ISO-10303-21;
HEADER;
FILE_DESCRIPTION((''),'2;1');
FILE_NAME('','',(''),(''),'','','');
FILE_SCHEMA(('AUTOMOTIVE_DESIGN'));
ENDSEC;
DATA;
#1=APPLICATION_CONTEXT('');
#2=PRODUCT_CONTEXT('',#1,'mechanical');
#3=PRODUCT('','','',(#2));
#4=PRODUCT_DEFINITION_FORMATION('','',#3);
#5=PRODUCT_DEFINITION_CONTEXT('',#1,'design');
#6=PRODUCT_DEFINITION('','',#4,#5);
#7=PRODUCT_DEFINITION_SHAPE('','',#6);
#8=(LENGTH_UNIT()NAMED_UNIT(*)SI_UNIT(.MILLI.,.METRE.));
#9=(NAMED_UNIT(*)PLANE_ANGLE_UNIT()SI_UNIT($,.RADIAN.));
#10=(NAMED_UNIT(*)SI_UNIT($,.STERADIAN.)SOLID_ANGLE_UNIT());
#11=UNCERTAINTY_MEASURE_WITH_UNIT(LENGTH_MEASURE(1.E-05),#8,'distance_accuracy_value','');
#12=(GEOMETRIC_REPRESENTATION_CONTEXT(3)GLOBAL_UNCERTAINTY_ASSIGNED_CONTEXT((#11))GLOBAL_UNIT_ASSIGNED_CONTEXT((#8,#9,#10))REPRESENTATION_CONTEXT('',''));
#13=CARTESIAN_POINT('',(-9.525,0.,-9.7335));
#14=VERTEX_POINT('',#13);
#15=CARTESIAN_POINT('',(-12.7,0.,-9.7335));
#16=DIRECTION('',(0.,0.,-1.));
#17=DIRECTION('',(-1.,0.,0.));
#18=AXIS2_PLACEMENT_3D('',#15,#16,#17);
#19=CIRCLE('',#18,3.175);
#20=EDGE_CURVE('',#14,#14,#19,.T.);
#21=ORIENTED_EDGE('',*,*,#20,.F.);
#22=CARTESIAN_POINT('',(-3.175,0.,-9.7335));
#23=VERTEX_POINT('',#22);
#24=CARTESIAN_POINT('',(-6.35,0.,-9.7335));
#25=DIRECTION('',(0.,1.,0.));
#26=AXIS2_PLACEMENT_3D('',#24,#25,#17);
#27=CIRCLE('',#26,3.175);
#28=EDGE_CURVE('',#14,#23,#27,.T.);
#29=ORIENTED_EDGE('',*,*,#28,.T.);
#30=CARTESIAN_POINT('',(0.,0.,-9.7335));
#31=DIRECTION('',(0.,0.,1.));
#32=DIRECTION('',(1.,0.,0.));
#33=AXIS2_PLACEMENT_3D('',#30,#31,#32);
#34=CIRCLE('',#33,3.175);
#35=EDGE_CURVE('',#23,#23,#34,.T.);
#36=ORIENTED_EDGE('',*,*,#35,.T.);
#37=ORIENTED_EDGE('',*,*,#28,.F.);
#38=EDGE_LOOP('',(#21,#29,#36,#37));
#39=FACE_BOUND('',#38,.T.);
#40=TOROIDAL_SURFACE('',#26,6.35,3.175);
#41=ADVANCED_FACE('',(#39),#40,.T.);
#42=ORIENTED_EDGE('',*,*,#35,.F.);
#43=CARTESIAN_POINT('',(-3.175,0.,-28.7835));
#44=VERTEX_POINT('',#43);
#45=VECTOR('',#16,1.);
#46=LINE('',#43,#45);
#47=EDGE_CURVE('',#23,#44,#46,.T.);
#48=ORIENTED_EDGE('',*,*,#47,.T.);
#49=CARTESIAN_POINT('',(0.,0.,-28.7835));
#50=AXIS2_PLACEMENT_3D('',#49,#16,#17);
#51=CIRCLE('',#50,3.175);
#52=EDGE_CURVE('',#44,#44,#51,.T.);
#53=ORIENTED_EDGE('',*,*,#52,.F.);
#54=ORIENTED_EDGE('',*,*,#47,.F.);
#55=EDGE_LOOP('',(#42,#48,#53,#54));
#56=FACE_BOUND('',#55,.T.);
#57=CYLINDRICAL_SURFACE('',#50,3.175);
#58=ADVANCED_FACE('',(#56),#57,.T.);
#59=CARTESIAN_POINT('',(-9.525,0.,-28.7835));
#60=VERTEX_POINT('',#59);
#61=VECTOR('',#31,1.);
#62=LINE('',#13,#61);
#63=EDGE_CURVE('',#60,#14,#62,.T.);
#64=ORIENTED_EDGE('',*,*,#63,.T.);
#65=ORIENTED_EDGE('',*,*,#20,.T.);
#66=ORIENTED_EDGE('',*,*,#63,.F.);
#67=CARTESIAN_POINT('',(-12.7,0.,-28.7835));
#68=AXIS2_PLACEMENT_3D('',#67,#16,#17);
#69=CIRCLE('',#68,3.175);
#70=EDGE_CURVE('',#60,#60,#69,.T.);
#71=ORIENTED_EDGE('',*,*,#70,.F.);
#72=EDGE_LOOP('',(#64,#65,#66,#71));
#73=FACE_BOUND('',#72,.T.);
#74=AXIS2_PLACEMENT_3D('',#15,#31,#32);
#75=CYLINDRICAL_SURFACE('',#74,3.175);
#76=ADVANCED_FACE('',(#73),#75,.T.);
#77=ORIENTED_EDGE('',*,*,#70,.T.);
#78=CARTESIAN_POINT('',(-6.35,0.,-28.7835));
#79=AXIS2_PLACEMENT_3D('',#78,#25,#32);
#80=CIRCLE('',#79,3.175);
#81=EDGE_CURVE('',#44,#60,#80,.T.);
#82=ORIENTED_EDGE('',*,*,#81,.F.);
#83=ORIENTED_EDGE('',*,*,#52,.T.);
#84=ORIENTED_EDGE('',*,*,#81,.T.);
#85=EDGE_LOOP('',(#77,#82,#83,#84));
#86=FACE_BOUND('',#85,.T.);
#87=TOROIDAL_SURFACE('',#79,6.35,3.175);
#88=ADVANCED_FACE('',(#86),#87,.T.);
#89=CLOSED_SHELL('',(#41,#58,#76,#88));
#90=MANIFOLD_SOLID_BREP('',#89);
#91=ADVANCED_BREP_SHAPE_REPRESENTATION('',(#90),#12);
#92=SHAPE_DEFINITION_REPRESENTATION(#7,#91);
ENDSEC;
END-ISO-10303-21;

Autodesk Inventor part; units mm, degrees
ref_plane "XZ Plane" through (0, 0, 0) normal (0, 1, 0) x (-1, 0, 0)
sketch "Sketch1" plane through (0, 0, 0) normal (0, 1, 0) x (-1, 0, 0)
  arc A0 (12.7, -9.7335) -> (0, -9.7335) centre (6.35, -9.7335) ccw
  arc A1 (0, -28.7835) -> (12.7, -28.7835) centre (6.35, -28.7835) ccw
  line L0 (12.7, -9.7335) -> (12.7, -28.7835)
  line L1 (0, -28.7835) -> (0, -9.7335)
  point P0 (0, 0)
  dimension "d0" = 12.7
  dimension "d1" = 12.7
  dimension "d2" = 19.05
ref_plane "Work Plane1" through (0, 0, -19.05) normal (0, 0, 1) x (1, 0, 0)
sketch "Sketch2" plane through (0, 0, -19.05) normal (0, 0, 1) x (1, 0, 0)
  circle A0 centre (-12.7, 0) radius 3.175
  point P0 (0, 0)
  dimension "d4" = 6.35
sweep "Sweep1" add profiles "Sketch2" path "Sketch1"
ref_plane "Work Plane2" through (-6.35, 0, -9.7335) normal (1, 0, 0) x (0, 0, -1)
properties part number "chainLink2"
